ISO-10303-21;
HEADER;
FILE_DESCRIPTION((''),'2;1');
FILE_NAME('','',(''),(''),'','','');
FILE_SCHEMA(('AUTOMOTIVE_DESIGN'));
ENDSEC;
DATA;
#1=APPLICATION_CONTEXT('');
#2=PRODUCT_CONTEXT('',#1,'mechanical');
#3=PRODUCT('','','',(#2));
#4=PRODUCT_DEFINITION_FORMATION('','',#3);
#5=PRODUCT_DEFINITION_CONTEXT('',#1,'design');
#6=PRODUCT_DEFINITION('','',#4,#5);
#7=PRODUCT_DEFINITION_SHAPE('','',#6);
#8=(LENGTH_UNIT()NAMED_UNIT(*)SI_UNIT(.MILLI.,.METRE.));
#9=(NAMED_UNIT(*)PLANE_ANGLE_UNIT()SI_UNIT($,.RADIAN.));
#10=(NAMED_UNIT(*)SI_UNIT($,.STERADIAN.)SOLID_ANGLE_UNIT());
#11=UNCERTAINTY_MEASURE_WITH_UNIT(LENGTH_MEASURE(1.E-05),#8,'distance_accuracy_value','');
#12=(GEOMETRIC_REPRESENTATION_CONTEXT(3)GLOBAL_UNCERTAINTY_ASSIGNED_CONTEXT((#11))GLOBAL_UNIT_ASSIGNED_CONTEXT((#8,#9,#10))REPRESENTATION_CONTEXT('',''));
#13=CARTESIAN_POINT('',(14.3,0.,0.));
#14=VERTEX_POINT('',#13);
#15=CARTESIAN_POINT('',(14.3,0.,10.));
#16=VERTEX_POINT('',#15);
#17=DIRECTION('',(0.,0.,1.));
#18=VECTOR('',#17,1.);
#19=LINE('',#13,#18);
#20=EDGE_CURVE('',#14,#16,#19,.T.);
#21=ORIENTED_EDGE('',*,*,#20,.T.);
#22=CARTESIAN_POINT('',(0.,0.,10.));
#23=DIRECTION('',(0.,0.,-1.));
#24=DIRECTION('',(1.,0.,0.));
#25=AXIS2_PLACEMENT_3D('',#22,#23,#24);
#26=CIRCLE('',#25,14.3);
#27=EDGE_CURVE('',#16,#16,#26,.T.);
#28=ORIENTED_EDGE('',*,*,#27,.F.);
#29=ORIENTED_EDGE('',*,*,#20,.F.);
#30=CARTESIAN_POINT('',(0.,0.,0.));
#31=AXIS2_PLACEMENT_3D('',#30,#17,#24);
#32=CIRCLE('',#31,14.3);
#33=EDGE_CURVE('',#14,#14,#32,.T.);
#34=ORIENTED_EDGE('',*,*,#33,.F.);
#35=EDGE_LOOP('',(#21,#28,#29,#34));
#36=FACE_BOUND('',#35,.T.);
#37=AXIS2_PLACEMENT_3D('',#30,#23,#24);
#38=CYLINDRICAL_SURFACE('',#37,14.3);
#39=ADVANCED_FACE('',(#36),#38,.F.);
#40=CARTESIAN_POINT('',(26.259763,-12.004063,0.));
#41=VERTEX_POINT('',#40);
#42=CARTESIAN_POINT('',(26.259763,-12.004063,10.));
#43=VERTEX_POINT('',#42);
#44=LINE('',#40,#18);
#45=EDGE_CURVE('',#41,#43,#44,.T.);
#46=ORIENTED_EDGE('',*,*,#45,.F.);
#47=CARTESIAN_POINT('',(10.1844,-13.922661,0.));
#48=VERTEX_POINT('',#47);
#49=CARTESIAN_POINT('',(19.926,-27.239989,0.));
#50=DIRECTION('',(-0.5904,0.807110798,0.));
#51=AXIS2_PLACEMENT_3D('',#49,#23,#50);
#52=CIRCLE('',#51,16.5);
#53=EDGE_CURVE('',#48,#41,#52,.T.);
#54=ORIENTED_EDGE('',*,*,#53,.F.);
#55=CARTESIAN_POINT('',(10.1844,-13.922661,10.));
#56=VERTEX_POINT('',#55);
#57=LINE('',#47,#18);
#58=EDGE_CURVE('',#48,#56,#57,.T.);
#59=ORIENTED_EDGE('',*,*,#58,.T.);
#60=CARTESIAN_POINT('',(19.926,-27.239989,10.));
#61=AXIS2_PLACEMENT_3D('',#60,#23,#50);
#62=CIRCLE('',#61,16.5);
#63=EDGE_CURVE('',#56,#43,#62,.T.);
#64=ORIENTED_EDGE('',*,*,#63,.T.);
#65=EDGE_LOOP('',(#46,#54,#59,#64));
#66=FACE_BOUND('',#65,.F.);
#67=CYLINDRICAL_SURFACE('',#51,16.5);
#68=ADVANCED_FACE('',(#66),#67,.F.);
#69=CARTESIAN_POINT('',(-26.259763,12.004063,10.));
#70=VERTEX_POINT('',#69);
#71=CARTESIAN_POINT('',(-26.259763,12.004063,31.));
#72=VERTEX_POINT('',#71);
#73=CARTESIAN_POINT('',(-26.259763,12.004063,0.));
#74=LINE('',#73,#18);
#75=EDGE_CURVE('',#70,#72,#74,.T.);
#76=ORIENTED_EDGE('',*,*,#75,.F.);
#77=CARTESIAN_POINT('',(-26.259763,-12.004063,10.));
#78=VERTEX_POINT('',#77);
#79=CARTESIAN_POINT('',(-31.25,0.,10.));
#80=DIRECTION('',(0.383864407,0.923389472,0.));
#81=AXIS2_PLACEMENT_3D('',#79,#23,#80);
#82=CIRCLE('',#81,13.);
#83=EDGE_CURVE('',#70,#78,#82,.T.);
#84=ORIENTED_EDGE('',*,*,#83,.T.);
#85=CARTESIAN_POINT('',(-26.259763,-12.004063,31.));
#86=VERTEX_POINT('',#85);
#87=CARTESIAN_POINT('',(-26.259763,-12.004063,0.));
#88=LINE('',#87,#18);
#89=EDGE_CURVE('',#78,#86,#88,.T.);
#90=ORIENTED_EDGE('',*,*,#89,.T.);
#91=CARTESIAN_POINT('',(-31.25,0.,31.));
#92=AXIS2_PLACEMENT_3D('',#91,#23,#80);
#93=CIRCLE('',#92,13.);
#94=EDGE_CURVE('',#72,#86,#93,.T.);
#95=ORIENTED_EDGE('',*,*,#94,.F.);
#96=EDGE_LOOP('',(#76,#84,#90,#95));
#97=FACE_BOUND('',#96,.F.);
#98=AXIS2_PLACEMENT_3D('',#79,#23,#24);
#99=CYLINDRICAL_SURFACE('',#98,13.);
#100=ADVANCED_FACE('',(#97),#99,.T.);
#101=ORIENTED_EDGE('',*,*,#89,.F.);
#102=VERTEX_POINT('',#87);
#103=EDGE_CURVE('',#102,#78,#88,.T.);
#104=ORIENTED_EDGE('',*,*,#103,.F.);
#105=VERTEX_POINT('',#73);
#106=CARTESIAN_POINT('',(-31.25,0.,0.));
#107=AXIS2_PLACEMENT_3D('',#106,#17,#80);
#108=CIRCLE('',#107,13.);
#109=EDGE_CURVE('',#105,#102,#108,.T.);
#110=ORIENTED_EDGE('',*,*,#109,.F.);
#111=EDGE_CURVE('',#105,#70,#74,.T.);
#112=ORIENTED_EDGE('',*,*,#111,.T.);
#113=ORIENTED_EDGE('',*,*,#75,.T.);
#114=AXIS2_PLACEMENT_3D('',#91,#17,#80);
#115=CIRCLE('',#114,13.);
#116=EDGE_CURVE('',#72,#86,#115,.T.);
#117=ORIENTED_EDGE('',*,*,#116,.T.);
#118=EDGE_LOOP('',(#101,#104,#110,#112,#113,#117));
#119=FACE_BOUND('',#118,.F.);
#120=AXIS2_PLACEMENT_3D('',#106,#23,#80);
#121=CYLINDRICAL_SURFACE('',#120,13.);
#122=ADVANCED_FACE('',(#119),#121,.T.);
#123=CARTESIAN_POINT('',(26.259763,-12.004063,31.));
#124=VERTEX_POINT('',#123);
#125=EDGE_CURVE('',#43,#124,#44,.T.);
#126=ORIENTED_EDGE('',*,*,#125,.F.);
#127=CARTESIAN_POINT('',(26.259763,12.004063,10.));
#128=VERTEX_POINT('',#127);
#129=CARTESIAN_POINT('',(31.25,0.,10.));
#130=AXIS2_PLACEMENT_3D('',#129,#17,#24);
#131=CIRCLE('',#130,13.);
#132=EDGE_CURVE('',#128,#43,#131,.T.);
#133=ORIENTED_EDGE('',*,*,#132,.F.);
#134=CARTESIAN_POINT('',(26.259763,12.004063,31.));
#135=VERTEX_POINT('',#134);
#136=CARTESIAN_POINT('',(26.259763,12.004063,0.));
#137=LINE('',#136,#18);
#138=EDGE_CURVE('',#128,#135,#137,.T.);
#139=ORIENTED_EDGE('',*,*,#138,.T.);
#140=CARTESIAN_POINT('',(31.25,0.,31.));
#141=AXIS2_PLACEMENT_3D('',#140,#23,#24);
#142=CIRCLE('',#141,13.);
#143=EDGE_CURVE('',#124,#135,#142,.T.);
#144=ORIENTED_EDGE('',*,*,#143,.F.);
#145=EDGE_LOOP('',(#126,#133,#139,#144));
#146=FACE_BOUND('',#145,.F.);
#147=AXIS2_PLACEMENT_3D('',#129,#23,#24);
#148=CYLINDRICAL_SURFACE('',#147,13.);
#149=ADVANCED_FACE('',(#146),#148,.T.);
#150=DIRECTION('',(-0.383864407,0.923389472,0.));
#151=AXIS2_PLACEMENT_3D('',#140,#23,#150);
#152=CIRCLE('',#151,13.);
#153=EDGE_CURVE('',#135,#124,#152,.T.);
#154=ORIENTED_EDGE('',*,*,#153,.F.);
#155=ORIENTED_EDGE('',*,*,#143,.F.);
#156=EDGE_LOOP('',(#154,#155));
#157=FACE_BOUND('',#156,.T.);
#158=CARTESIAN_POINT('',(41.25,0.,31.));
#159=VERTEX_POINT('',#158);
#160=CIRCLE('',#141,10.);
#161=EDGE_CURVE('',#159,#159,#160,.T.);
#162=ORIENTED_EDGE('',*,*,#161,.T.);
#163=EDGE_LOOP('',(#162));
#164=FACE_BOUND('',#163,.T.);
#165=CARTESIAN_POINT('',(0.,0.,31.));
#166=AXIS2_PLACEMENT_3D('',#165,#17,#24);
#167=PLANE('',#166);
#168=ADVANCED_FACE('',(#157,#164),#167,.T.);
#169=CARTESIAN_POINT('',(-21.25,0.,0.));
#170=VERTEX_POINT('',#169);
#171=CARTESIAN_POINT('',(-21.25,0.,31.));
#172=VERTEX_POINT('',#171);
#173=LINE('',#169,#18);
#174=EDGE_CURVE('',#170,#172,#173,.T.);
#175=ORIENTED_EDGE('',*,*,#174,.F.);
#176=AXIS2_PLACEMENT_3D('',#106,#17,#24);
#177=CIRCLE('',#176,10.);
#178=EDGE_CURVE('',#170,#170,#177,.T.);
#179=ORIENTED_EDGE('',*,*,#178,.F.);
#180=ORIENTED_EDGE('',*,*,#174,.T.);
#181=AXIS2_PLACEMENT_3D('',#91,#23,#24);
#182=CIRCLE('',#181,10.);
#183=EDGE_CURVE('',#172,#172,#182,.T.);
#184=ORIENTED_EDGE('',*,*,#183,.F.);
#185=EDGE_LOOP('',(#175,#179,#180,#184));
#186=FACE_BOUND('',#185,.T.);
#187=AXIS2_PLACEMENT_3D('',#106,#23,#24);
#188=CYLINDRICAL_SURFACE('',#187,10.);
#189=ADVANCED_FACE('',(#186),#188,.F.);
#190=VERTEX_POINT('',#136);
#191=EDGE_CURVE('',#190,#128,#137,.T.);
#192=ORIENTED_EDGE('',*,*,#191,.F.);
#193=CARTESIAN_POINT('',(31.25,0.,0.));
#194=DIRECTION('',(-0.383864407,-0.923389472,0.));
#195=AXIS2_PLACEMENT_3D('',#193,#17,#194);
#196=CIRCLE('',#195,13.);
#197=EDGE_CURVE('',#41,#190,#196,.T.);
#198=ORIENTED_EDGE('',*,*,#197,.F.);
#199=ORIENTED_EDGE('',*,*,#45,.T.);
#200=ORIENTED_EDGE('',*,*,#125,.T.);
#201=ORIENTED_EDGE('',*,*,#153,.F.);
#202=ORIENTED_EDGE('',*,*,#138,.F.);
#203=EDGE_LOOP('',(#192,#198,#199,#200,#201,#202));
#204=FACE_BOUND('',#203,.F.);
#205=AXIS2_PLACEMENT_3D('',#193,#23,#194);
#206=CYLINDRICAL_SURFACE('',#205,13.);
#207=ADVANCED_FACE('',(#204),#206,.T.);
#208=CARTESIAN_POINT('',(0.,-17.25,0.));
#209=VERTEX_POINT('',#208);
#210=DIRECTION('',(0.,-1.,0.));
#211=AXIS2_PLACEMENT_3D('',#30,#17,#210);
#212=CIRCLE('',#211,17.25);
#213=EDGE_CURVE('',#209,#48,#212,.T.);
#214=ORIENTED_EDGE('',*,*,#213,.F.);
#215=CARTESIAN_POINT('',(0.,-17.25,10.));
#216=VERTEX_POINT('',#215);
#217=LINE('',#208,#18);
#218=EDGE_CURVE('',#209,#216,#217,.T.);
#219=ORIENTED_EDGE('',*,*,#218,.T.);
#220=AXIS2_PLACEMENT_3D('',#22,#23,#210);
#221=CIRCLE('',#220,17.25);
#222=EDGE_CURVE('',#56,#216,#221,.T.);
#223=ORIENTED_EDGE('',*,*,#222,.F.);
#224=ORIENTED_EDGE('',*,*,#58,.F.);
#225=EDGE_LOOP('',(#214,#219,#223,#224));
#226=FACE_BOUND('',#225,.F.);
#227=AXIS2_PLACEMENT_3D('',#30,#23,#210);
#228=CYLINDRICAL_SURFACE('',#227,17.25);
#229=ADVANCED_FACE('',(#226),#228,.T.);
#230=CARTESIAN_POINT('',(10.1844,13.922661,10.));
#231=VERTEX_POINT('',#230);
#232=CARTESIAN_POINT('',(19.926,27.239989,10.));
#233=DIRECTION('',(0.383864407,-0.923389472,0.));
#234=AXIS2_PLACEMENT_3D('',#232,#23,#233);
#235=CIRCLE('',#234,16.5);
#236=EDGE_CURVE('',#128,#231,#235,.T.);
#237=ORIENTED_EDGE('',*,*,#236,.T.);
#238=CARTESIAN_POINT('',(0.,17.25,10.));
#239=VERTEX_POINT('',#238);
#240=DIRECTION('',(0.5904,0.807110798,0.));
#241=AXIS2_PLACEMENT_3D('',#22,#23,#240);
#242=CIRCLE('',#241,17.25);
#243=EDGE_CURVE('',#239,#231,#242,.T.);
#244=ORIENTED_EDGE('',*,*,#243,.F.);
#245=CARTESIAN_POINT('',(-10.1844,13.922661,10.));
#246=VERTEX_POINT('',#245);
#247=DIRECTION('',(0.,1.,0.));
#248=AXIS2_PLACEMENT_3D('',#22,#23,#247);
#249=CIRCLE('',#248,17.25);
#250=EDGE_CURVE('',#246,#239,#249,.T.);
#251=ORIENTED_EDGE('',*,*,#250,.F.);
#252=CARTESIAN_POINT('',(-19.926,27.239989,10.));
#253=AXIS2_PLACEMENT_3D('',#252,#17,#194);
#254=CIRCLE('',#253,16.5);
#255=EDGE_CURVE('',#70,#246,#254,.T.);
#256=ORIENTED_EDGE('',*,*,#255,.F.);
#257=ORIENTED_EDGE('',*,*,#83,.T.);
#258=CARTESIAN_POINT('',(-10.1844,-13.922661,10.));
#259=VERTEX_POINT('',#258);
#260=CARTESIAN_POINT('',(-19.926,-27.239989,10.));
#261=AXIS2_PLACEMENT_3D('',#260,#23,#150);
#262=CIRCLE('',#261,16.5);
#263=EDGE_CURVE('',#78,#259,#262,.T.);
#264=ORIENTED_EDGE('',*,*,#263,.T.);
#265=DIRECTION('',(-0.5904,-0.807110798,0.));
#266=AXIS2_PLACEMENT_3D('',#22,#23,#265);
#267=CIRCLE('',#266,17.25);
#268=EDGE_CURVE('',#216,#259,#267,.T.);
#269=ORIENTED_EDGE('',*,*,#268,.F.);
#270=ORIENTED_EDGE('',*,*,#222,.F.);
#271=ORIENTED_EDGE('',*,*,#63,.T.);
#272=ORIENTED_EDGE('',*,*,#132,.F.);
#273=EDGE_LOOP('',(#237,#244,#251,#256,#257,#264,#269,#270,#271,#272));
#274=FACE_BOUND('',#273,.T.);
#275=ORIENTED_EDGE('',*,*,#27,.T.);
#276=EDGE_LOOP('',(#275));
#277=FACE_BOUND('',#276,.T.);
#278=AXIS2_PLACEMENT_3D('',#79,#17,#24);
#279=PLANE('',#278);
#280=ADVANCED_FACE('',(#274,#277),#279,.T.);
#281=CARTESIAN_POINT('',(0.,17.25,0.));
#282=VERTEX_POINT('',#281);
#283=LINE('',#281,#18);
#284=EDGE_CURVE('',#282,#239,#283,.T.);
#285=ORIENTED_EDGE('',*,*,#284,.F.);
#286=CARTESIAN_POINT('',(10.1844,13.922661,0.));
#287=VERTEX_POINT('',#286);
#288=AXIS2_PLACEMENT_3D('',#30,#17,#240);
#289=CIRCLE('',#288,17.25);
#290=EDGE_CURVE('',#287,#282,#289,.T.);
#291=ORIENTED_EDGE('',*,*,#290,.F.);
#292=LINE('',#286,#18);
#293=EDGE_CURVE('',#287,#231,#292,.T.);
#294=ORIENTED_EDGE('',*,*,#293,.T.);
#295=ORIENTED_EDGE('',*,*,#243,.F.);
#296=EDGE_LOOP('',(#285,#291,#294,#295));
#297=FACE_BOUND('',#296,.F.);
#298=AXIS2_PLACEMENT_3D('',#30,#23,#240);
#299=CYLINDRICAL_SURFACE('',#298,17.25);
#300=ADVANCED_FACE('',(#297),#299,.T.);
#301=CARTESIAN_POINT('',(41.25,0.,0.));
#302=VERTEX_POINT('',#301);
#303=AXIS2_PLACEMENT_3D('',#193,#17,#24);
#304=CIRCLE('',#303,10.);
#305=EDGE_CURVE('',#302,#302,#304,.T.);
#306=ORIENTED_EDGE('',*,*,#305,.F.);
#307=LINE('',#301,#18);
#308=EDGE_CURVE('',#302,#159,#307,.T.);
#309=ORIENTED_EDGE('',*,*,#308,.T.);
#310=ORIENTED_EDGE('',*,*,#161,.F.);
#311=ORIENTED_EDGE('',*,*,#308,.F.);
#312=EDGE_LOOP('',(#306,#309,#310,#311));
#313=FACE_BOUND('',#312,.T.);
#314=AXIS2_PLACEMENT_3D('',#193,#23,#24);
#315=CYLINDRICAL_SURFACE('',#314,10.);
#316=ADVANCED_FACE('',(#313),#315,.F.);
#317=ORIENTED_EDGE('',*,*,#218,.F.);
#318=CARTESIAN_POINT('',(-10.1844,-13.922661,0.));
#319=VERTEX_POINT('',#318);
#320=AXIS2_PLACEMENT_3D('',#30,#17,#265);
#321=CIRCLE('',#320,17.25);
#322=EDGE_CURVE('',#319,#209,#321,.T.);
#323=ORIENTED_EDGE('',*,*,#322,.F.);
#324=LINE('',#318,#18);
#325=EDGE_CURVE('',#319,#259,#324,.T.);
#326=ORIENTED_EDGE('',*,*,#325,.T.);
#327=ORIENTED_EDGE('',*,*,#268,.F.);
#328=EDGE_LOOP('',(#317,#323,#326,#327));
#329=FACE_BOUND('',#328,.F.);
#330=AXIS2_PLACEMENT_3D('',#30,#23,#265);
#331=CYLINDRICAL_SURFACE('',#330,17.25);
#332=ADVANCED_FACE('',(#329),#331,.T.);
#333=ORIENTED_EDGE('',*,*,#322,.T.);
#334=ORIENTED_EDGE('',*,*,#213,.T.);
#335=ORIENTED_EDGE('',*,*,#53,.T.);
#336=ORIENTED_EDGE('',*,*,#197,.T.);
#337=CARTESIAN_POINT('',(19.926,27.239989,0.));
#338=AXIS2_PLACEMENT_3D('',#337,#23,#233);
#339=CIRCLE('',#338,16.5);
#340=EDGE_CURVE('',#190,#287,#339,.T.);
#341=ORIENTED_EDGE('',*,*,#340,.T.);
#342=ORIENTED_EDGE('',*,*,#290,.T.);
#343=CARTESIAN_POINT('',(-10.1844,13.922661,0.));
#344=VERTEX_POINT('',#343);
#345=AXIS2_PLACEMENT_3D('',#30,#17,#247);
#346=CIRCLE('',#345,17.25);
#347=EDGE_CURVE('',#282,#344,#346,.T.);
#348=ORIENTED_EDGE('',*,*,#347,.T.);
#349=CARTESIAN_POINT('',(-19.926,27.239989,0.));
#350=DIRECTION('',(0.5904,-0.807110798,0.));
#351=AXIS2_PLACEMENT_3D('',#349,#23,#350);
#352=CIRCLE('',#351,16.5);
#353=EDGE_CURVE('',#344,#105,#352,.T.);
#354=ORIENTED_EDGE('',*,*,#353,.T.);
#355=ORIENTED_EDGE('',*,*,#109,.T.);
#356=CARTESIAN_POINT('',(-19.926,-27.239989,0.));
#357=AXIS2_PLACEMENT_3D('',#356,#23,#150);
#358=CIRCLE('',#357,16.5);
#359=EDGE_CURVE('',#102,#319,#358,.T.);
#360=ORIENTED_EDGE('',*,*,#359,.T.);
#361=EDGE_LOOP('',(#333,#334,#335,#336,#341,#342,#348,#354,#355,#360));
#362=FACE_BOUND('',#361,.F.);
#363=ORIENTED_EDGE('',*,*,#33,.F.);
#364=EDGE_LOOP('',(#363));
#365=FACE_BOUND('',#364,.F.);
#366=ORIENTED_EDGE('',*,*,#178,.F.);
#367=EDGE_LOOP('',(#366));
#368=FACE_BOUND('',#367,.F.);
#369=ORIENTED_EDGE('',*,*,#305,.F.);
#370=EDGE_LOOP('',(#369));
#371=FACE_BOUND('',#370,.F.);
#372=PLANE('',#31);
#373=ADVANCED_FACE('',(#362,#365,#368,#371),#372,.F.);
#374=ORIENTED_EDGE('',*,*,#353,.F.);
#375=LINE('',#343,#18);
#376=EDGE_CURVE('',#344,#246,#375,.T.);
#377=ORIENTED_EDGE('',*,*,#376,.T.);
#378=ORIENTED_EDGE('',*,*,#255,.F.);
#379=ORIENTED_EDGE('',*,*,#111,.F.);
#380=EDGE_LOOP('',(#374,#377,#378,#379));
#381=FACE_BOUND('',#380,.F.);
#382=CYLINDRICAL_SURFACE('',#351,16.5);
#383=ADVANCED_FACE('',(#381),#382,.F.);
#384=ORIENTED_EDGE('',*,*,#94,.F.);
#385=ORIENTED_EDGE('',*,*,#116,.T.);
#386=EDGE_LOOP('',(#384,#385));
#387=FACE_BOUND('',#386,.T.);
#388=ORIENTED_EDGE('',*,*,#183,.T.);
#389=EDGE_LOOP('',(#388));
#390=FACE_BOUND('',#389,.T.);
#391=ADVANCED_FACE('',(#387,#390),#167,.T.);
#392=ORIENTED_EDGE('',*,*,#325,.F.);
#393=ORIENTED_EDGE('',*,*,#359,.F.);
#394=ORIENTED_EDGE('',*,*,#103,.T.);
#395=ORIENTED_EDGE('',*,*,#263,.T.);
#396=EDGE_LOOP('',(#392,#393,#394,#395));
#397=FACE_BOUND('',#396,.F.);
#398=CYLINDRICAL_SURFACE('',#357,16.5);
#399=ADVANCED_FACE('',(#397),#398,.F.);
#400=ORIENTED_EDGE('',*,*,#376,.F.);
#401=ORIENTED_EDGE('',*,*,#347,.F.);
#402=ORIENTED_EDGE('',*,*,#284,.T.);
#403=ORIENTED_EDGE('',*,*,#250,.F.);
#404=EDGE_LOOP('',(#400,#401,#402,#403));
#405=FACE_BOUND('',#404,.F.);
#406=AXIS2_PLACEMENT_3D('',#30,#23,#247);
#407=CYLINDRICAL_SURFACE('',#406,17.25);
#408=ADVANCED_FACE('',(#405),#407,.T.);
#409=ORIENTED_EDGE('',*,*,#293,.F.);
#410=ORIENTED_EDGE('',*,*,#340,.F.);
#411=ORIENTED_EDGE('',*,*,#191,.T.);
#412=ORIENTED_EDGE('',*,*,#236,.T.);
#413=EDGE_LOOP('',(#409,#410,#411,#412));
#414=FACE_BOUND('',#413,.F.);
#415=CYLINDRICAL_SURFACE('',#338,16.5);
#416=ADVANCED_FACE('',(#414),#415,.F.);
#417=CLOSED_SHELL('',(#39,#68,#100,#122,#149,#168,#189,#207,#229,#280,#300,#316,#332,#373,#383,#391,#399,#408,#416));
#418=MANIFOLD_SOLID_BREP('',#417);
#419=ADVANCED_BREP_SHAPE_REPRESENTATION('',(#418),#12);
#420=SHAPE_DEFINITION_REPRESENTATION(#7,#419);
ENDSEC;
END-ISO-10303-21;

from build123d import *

# Parameters (mm, degrees)
F1_DEPTH = 31
F2_R     = 14.3
F2_R_2   = 10
F3_DEPTH = 31.001
F4_W     = 33
F4_H     = 80
F5_DEPTH = 21
F7_START = 10
F6_R     = 22.5
F6_R_2   = 13
F7_DEPTH = 21.001


with BuildPart() as f1:
    # F0 (on Top) → F1 (new body)
    with BuildSketch(Plane.XY):
        with BuildLine():
            ThreePointArc((-10.1844, 13.9226612628), (-17.9705989063, 10.8562655965), (-26.2597627119, 12.0040631375))
            ThreePointArc((-26.2597627119, 12.0040631375), (-44.25, 0), (-26.2597627119, -12.0040631375))
            ThreePointArc((-26.2597627119, -12.0040631375), (-17.9705989063, -10.8562655965), (-10.1844, -13.9226612628))
            ThreePointArc((-10.1844, -13.9226612628), (-5.3570791116, -16.3970791116), (0, -17.25))
            ThreePointArc((0, -17.25), (5.3570791116, -16.3970791116), (10.1844, -13.9226612628))
            ThreePointArc((10.1844, -13.9226612628), (17.9705989063, -10.8562655965), (26.2597627119, -12.0040631375))
            ThreePointArc((26.2597627119, -12.0040631375), (44.25, 0), (26.2597627119, 12.0040631375))
            ThreePointArc((26.2597627119, 12.0040631375), (17.9705989063, 10.8562655965), (10.1844, 13.9226612628))
            ThreePointArc((10.1844, 13.9226612628), (5.3570791116, 16.3970791116), (0, 17.25))
            ThreePointArc((0, 17.25), (-5.3570791116, 16.3970791116), (-10.1844, 13.9226612628))
        make_face()
    extrude(amount=F1_DEPTH)

    # F2 (on Top) → F3 (cut, through all)
    with BuildSketch(Plane.XY):
        Circle(F2_R)
        with Locations((-31.25, 0)):
            Circle(F2_R_2)
        with Locations((31.25, 0)):
            Circle(F2_R_2)
    extrude(amount=F3_DEPTH, mode=Mode.SUBTRACT)

    # F4 (on face) → F5 (cut)
    with BuildSketch(Plane.XY.offset(31)):
        Rectangle(F4_W, F4_H)
    extrude(amount=-F5_DEPTH, mode=Mode.SUBTRACT)

    # F6 (on Top) → F7 (cut)
    with BuildSketch(Plane.XY.offset(F7_START)):
        with Locations((-31.25, 0)):
            Circle(F6_R)
        with Locations((-31.25, 0)):
            Circle(F6_R_2, mode=Mode.SUBTRACT)
        with Locations((31.25, 0)):
            Circle(F6_R)
        with Locations((31.25, 0)):
            Circle(F6_R_2, mode=Mode.SUBTRACT)
    extrude(amount=F7_DEPTH, mode=Mode.SUBTRACT)


solid = f1.part
